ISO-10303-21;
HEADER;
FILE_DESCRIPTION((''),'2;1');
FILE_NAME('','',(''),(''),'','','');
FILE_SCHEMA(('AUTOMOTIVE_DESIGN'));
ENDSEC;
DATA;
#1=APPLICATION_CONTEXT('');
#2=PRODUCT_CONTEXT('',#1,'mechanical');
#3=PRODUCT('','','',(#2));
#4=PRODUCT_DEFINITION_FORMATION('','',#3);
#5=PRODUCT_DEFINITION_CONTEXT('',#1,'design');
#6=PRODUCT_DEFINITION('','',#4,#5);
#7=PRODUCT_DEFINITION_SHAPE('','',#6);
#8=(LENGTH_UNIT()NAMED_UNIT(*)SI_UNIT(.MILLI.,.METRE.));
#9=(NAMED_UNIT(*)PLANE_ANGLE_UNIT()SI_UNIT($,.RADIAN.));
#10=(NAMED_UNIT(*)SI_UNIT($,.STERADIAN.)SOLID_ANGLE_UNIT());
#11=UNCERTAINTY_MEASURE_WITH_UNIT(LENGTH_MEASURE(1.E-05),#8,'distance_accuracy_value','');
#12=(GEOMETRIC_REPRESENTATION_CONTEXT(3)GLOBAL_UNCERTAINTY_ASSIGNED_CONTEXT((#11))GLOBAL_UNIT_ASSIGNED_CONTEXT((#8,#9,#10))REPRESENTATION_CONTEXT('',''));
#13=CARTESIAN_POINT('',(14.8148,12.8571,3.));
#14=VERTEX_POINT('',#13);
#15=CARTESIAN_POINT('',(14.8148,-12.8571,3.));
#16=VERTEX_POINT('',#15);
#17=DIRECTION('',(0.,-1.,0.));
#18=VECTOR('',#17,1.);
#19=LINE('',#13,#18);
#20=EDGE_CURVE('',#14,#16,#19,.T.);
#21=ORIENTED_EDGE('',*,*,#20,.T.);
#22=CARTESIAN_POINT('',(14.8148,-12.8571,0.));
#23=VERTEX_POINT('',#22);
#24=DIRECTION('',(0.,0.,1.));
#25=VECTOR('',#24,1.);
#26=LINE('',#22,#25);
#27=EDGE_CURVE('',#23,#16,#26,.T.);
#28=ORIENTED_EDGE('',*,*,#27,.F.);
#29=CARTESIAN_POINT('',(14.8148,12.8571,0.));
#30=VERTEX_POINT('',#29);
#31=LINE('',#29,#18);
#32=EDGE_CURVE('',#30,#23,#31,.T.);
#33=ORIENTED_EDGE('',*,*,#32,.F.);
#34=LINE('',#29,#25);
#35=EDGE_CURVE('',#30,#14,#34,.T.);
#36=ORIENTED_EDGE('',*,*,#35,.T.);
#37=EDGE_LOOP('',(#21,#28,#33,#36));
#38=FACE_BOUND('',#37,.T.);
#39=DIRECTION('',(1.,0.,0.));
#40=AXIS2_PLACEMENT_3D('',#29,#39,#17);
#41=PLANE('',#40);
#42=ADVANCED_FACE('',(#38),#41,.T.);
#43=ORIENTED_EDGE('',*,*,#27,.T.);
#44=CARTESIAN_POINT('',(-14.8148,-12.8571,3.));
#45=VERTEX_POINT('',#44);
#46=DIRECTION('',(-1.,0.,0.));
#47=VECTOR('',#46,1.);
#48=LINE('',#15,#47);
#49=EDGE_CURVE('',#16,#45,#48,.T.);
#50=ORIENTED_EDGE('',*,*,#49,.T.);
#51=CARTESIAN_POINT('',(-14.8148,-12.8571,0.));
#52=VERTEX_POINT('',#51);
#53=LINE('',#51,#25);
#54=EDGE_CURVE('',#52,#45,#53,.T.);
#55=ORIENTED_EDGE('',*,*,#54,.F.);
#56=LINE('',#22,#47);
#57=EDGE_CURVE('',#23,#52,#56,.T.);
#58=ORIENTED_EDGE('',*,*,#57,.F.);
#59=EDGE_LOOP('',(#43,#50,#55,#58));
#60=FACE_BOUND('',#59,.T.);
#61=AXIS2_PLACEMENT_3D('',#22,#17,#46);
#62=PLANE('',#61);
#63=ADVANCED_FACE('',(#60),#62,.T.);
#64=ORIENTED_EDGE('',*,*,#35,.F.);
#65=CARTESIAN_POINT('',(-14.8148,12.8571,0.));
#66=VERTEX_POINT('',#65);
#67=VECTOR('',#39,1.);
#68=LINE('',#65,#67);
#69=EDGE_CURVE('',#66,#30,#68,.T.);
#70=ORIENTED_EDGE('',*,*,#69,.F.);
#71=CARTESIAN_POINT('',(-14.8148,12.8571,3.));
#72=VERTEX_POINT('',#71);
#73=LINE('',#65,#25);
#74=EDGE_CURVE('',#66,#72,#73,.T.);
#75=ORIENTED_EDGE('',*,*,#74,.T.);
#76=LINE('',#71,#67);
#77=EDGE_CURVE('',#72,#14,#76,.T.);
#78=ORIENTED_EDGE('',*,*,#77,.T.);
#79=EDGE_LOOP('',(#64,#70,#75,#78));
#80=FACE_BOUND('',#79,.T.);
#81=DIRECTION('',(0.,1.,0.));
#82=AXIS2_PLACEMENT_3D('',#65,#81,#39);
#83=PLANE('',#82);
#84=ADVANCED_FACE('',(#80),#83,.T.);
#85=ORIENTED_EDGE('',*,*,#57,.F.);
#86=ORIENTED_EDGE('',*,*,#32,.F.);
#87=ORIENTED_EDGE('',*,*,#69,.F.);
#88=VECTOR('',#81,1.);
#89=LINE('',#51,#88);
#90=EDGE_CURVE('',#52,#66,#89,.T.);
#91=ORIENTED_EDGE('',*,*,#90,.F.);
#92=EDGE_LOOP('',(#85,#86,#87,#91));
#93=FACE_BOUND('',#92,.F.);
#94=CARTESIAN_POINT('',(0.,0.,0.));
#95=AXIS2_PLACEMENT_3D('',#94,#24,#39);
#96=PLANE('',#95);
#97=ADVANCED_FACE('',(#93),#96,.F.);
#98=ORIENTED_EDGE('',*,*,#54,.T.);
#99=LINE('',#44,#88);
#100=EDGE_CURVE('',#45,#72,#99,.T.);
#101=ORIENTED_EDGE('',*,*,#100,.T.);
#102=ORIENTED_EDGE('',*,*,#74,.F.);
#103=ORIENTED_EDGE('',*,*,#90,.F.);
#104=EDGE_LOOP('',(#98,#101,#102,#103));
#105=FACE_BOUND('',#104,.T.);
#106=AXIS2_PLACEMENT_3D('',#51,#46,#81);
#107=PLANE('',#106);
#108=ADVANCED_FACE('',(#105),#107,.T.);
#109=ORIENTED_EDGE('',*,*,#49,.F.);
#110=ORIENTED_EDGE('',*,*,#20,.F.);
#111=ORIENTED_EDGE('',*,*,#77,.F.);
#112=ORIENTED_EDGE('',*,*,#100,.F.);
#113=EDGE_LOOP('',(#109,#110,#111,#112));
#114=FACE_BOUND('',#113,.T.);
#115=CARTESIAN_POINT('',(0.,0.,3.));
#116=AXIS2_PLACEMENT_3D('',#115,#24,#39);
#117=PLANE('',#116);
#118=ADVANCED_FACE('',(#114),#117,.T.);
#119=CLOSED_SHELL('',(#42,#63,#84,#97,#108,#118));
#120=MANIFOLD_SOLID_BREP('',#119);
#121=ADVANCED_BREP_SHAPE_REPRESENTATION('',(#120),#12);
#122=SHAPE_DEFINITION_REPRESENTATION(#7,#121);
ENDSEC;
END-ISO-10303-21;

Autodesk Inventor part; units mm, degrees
ref_plane "YZ Plane" through (0, 0, 0) normal (1, 0, 0) x (0, 1, 0)
ref_plane "XZ Plane" through (0, 0, 0) normal (0, 1, 0) x (-1, 0, 0)
ref_plane "XY Plane" through (0, 0, 0) normal (0, 0, 1) x (1, 0, 0)
sketch "草图1" plane through (0, 0, 0) normal (0, 0, 1) x (1, 0, 0)
  line L0 (14.8148, -12.8571) -> (-14.8148, -12.8571)
  line L1 (-14.8148, -12.8571) -> (-14.8148, 12.8571)
  line L2 (-14.8148, 12.8571) -> (14.8148, 12.8571)
  line L3 (14.8148, 12.8571) -> (14.8148, -12.8571)
  line L4 (14.8148, -12.8571) -> (-14.8148, 12.8571) construction
  line L5 (-14.8148, -12.8571) -> (14.8148, 12.8571) construction
  point P0 (0, 0)
extrude "拉伸1" add sketch "草图1" along normal blind 3
properties part number "垃圾"
